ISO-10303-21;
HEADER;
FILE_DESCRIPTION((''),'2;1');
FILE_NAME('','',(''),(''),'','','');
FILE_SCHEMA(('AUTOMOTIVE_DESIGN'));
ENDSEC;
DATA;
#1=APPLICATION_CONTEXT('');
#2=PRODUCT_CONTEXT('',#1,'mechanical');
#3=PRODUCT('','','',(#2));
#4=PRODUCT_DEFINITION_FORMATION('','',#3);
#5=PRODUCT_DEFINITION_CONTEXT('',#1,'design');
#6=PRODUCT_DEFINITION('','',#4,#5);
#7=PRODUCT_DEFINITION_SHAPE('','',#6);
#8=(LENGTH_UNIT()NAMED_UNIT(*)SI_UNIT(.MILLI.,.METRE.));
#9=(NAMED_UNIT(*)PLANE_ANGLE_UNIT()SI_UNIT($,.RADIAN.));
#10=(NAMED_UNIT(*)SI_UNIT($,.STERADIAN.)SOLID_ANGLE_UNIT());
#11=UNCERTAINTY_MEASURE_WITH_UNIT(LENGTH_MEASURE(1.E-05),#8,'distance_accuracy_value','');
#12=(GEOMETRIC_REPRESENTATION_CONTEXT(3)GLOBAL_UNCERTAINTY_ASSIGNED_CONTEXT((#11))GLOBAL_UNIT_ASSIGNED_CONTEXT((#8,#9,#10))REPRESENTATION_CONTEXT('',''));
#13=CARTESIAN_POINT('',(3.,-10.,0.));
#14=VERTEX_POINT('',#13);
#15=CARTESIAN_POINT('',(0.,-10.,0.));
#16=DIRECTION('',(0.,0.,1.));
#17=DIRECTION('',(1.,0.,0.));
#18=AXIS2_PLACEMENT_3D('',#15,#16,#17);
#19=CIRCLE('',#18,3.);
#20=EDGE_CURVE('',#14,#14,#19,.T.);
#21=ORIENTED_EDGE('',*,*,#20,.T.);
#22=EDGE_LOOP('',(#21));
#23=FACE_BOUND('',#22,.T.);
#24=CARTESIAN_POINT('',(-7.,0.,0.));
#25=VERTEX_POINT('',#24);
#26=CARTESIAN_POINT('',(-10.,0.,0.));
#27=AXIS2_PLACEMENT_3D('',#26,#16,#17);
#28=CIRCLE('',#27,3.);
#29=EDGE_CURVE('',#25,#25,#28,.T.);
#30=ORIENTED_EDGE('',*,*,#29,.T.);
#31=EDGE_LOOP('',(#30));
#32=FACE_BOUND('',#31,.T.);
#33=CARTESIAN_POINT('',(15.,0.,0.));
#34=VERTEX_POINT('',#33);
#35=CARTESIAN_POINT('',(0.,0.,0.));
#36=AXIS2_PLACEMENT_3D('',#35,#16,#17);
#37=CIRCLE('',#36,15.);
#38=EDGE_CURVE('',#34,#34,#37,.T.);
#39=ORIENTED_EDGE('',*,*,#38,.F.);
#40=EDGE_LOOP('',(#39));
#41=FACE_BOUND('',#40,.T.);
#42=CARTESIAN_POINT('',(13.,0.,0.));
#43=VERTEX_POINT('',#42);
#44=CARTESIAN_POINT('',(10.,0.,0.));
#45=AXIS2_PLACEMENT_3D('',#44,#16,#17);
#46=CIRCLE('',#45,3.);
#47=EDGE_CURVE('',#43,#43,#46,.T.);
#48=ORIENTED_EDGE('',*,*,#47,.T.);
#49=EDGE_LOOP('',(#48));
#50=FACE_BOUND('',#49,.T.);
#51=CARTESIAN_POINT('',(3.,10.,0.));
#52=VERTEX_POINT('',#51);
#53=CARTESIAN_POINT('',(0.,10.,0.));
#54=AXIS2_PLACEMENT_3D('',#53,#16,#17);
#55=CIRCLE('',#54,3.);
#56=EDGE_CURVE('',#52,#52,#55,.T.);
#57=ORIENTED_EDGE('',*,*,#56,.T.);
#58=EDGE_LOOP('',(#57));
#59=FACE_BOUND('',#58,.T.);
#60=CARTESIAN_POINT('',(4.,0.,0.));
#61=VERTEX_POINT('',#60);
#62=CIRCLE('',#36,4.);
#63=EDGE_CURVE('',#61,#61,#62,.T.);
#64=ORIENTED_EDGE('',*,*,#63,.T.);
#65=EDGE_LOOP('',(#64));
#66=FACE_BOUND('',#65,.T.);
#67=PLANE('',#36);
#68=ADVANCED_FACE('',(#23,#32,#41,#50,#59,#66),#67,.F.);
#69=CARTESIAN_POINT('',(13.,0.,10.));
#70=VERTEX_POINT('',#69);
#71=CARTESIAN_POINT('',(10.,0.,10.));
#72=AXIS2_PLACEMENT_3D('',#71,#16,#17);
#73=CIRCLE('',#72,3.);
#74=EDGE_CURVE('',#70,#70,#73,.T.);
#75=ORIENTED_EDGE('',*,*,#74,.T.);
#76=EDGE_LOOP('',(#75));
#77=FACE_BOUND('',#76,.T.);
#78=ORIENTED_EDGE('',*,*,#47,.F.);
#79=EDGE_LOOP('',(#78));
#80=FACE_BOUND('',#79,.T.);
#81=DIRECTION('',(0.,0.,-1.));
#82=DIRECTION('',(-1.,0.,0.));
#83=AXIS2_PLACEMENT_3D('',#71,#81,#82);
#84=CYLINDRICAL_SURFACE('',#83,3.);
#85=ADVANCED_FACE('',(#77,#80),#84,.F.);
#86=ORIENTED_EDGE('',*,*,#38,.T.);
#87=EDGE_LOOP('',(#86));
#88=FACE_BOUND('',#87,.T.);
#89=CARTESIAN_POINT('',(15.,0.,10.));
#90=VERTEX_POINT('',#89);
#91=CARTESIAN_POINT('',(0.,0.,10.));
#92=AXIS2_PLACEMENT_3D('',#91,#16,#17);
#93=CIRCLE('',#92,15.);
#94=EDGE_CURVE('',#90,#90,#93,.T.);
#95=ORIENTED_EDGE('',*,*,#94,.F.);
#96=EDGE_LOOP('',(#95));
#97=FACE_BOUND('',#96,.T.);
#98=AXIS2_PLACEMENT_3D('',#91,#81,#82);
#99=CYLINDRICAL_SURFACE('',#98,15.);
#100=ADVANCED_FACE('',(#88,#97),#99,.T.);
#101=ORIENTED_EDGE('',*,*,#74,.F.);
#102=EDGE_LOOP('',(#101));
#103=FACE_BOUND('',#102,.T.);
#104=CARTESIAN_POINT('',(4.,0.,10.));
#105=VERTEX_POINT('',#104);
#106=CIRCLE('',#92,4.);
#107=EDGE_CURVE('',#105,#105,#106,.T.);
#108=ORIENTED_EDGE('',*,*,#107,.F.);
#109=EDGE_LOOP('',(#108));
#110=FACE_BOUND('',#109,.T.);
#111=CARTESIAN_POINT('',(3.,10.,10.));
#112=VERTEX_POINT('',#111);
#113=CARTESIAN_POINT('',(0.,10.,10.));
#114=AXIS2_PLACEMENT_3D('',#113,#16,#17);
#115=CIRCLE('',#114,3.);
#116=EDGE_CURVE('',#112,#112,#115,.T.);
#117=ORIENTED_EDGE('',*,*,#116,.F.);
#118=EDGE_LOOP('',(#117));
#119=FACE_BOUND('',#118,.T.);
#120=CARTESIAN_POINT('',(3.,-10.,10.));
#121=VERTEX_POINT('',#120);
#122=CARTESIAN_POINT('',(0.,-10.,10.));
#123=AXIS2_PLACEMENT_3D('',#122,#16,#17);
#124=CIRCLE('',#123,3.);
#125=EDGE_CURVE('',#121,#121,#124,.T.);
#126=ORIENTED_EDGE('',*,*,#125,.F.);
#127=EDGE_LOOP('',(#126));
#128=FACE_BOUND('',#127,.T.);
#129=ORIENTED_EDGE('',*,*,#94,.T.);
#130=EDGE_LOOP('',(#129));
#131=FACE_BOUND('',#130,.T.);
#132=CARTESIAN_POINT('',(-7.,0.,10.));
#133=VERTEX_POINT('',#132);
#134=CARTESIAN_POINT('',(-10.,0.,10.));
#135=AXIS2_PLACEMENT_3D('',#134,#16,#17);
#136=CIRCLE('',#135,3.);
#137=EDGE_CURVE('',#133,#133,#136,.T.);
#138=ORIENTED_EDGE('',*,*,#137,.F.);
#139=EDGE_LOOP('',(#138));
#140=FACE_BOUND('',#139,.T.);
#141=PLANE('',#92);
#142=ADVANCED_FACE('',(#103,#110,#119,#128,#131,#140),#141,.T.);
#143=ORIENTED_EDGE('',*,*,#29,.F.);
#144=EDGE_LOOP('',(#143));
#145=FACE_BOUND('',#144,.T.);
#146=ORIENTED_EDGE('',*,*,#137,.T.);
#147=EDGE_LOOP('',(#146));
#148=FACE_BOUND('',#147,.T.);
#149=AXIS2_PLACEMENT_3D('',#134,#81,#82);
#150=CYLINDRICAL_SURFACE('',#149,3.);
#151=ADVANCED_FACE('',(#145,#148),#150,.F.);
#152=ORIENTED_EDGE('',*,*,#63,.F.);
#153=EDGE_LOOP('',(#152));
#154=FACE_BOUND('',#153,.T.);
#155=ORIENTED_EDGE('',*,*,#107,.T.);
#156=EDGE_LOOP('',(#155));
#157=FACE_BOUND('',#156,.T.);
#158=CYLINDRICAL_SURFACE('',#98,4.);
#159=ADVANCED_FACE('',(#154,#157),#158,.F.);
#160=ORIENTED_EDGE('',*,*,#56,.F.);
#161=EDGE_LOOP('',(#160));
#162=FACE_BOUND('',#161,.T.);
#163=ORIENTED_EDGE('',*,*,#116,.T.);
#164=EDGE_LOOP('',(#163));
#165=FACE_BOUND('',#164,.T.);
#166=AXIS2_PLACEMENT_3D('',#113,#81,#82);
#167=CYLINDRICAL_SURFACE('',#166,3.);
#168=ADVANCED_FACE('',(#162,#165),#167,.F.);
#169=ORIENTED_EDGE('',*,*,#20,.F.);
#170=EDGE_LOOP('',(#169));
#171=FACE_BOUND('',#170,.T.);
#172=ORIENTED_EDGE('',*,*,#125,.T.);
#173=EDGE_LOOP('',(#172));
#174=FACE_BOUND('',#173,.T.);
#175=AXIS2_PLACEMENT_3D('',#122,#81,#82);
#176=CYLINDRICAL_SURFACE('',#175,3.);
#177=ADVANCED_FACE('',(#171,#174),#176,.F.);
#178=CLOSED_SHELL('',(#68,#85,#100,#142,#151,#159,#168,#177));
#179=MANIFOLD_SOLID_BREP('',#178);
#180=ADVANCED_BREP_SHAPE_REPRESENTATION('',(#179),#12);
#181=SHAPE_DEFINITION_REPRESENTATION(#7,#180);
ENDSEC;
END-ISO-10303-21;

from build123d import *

# Parameters (mm, degrees)
SKETCH1_R           = 15
SKETCH1_R_2         = 3
SKETCH1_R_3         = 4
BOSS_EXTRUDE1_DEPTH = 10


with BuildPart() as part:
    # Sketch1 → Boss-Extrude1 (new body)
    with BuildSketch(Plane.XY):
        Circle(SKETCH1_R)
        with Locations((0, 10)):
            Circle(SKETCH1_R_2, mode=Mode.SUBTRACT)
        with Locations((10, 0)):
            Circle(SKETCH1_R_2, mode=Mode.SUBTRACT)
        with Locations((0, -10)):
            Circle(SKETCH1_R_2, mode=Mode.SUBTRACT)
        with Locations((-10, 0)):
            Circle(SKETCH1_R_2, mode=Mode.SUBTRACT)
        Circle(SKETCH1_R_3, mode=Mode.SUBTRACT)
    extrude(amount=BOSS_EXTRUDE1_DEPTH)


solid = part.part
